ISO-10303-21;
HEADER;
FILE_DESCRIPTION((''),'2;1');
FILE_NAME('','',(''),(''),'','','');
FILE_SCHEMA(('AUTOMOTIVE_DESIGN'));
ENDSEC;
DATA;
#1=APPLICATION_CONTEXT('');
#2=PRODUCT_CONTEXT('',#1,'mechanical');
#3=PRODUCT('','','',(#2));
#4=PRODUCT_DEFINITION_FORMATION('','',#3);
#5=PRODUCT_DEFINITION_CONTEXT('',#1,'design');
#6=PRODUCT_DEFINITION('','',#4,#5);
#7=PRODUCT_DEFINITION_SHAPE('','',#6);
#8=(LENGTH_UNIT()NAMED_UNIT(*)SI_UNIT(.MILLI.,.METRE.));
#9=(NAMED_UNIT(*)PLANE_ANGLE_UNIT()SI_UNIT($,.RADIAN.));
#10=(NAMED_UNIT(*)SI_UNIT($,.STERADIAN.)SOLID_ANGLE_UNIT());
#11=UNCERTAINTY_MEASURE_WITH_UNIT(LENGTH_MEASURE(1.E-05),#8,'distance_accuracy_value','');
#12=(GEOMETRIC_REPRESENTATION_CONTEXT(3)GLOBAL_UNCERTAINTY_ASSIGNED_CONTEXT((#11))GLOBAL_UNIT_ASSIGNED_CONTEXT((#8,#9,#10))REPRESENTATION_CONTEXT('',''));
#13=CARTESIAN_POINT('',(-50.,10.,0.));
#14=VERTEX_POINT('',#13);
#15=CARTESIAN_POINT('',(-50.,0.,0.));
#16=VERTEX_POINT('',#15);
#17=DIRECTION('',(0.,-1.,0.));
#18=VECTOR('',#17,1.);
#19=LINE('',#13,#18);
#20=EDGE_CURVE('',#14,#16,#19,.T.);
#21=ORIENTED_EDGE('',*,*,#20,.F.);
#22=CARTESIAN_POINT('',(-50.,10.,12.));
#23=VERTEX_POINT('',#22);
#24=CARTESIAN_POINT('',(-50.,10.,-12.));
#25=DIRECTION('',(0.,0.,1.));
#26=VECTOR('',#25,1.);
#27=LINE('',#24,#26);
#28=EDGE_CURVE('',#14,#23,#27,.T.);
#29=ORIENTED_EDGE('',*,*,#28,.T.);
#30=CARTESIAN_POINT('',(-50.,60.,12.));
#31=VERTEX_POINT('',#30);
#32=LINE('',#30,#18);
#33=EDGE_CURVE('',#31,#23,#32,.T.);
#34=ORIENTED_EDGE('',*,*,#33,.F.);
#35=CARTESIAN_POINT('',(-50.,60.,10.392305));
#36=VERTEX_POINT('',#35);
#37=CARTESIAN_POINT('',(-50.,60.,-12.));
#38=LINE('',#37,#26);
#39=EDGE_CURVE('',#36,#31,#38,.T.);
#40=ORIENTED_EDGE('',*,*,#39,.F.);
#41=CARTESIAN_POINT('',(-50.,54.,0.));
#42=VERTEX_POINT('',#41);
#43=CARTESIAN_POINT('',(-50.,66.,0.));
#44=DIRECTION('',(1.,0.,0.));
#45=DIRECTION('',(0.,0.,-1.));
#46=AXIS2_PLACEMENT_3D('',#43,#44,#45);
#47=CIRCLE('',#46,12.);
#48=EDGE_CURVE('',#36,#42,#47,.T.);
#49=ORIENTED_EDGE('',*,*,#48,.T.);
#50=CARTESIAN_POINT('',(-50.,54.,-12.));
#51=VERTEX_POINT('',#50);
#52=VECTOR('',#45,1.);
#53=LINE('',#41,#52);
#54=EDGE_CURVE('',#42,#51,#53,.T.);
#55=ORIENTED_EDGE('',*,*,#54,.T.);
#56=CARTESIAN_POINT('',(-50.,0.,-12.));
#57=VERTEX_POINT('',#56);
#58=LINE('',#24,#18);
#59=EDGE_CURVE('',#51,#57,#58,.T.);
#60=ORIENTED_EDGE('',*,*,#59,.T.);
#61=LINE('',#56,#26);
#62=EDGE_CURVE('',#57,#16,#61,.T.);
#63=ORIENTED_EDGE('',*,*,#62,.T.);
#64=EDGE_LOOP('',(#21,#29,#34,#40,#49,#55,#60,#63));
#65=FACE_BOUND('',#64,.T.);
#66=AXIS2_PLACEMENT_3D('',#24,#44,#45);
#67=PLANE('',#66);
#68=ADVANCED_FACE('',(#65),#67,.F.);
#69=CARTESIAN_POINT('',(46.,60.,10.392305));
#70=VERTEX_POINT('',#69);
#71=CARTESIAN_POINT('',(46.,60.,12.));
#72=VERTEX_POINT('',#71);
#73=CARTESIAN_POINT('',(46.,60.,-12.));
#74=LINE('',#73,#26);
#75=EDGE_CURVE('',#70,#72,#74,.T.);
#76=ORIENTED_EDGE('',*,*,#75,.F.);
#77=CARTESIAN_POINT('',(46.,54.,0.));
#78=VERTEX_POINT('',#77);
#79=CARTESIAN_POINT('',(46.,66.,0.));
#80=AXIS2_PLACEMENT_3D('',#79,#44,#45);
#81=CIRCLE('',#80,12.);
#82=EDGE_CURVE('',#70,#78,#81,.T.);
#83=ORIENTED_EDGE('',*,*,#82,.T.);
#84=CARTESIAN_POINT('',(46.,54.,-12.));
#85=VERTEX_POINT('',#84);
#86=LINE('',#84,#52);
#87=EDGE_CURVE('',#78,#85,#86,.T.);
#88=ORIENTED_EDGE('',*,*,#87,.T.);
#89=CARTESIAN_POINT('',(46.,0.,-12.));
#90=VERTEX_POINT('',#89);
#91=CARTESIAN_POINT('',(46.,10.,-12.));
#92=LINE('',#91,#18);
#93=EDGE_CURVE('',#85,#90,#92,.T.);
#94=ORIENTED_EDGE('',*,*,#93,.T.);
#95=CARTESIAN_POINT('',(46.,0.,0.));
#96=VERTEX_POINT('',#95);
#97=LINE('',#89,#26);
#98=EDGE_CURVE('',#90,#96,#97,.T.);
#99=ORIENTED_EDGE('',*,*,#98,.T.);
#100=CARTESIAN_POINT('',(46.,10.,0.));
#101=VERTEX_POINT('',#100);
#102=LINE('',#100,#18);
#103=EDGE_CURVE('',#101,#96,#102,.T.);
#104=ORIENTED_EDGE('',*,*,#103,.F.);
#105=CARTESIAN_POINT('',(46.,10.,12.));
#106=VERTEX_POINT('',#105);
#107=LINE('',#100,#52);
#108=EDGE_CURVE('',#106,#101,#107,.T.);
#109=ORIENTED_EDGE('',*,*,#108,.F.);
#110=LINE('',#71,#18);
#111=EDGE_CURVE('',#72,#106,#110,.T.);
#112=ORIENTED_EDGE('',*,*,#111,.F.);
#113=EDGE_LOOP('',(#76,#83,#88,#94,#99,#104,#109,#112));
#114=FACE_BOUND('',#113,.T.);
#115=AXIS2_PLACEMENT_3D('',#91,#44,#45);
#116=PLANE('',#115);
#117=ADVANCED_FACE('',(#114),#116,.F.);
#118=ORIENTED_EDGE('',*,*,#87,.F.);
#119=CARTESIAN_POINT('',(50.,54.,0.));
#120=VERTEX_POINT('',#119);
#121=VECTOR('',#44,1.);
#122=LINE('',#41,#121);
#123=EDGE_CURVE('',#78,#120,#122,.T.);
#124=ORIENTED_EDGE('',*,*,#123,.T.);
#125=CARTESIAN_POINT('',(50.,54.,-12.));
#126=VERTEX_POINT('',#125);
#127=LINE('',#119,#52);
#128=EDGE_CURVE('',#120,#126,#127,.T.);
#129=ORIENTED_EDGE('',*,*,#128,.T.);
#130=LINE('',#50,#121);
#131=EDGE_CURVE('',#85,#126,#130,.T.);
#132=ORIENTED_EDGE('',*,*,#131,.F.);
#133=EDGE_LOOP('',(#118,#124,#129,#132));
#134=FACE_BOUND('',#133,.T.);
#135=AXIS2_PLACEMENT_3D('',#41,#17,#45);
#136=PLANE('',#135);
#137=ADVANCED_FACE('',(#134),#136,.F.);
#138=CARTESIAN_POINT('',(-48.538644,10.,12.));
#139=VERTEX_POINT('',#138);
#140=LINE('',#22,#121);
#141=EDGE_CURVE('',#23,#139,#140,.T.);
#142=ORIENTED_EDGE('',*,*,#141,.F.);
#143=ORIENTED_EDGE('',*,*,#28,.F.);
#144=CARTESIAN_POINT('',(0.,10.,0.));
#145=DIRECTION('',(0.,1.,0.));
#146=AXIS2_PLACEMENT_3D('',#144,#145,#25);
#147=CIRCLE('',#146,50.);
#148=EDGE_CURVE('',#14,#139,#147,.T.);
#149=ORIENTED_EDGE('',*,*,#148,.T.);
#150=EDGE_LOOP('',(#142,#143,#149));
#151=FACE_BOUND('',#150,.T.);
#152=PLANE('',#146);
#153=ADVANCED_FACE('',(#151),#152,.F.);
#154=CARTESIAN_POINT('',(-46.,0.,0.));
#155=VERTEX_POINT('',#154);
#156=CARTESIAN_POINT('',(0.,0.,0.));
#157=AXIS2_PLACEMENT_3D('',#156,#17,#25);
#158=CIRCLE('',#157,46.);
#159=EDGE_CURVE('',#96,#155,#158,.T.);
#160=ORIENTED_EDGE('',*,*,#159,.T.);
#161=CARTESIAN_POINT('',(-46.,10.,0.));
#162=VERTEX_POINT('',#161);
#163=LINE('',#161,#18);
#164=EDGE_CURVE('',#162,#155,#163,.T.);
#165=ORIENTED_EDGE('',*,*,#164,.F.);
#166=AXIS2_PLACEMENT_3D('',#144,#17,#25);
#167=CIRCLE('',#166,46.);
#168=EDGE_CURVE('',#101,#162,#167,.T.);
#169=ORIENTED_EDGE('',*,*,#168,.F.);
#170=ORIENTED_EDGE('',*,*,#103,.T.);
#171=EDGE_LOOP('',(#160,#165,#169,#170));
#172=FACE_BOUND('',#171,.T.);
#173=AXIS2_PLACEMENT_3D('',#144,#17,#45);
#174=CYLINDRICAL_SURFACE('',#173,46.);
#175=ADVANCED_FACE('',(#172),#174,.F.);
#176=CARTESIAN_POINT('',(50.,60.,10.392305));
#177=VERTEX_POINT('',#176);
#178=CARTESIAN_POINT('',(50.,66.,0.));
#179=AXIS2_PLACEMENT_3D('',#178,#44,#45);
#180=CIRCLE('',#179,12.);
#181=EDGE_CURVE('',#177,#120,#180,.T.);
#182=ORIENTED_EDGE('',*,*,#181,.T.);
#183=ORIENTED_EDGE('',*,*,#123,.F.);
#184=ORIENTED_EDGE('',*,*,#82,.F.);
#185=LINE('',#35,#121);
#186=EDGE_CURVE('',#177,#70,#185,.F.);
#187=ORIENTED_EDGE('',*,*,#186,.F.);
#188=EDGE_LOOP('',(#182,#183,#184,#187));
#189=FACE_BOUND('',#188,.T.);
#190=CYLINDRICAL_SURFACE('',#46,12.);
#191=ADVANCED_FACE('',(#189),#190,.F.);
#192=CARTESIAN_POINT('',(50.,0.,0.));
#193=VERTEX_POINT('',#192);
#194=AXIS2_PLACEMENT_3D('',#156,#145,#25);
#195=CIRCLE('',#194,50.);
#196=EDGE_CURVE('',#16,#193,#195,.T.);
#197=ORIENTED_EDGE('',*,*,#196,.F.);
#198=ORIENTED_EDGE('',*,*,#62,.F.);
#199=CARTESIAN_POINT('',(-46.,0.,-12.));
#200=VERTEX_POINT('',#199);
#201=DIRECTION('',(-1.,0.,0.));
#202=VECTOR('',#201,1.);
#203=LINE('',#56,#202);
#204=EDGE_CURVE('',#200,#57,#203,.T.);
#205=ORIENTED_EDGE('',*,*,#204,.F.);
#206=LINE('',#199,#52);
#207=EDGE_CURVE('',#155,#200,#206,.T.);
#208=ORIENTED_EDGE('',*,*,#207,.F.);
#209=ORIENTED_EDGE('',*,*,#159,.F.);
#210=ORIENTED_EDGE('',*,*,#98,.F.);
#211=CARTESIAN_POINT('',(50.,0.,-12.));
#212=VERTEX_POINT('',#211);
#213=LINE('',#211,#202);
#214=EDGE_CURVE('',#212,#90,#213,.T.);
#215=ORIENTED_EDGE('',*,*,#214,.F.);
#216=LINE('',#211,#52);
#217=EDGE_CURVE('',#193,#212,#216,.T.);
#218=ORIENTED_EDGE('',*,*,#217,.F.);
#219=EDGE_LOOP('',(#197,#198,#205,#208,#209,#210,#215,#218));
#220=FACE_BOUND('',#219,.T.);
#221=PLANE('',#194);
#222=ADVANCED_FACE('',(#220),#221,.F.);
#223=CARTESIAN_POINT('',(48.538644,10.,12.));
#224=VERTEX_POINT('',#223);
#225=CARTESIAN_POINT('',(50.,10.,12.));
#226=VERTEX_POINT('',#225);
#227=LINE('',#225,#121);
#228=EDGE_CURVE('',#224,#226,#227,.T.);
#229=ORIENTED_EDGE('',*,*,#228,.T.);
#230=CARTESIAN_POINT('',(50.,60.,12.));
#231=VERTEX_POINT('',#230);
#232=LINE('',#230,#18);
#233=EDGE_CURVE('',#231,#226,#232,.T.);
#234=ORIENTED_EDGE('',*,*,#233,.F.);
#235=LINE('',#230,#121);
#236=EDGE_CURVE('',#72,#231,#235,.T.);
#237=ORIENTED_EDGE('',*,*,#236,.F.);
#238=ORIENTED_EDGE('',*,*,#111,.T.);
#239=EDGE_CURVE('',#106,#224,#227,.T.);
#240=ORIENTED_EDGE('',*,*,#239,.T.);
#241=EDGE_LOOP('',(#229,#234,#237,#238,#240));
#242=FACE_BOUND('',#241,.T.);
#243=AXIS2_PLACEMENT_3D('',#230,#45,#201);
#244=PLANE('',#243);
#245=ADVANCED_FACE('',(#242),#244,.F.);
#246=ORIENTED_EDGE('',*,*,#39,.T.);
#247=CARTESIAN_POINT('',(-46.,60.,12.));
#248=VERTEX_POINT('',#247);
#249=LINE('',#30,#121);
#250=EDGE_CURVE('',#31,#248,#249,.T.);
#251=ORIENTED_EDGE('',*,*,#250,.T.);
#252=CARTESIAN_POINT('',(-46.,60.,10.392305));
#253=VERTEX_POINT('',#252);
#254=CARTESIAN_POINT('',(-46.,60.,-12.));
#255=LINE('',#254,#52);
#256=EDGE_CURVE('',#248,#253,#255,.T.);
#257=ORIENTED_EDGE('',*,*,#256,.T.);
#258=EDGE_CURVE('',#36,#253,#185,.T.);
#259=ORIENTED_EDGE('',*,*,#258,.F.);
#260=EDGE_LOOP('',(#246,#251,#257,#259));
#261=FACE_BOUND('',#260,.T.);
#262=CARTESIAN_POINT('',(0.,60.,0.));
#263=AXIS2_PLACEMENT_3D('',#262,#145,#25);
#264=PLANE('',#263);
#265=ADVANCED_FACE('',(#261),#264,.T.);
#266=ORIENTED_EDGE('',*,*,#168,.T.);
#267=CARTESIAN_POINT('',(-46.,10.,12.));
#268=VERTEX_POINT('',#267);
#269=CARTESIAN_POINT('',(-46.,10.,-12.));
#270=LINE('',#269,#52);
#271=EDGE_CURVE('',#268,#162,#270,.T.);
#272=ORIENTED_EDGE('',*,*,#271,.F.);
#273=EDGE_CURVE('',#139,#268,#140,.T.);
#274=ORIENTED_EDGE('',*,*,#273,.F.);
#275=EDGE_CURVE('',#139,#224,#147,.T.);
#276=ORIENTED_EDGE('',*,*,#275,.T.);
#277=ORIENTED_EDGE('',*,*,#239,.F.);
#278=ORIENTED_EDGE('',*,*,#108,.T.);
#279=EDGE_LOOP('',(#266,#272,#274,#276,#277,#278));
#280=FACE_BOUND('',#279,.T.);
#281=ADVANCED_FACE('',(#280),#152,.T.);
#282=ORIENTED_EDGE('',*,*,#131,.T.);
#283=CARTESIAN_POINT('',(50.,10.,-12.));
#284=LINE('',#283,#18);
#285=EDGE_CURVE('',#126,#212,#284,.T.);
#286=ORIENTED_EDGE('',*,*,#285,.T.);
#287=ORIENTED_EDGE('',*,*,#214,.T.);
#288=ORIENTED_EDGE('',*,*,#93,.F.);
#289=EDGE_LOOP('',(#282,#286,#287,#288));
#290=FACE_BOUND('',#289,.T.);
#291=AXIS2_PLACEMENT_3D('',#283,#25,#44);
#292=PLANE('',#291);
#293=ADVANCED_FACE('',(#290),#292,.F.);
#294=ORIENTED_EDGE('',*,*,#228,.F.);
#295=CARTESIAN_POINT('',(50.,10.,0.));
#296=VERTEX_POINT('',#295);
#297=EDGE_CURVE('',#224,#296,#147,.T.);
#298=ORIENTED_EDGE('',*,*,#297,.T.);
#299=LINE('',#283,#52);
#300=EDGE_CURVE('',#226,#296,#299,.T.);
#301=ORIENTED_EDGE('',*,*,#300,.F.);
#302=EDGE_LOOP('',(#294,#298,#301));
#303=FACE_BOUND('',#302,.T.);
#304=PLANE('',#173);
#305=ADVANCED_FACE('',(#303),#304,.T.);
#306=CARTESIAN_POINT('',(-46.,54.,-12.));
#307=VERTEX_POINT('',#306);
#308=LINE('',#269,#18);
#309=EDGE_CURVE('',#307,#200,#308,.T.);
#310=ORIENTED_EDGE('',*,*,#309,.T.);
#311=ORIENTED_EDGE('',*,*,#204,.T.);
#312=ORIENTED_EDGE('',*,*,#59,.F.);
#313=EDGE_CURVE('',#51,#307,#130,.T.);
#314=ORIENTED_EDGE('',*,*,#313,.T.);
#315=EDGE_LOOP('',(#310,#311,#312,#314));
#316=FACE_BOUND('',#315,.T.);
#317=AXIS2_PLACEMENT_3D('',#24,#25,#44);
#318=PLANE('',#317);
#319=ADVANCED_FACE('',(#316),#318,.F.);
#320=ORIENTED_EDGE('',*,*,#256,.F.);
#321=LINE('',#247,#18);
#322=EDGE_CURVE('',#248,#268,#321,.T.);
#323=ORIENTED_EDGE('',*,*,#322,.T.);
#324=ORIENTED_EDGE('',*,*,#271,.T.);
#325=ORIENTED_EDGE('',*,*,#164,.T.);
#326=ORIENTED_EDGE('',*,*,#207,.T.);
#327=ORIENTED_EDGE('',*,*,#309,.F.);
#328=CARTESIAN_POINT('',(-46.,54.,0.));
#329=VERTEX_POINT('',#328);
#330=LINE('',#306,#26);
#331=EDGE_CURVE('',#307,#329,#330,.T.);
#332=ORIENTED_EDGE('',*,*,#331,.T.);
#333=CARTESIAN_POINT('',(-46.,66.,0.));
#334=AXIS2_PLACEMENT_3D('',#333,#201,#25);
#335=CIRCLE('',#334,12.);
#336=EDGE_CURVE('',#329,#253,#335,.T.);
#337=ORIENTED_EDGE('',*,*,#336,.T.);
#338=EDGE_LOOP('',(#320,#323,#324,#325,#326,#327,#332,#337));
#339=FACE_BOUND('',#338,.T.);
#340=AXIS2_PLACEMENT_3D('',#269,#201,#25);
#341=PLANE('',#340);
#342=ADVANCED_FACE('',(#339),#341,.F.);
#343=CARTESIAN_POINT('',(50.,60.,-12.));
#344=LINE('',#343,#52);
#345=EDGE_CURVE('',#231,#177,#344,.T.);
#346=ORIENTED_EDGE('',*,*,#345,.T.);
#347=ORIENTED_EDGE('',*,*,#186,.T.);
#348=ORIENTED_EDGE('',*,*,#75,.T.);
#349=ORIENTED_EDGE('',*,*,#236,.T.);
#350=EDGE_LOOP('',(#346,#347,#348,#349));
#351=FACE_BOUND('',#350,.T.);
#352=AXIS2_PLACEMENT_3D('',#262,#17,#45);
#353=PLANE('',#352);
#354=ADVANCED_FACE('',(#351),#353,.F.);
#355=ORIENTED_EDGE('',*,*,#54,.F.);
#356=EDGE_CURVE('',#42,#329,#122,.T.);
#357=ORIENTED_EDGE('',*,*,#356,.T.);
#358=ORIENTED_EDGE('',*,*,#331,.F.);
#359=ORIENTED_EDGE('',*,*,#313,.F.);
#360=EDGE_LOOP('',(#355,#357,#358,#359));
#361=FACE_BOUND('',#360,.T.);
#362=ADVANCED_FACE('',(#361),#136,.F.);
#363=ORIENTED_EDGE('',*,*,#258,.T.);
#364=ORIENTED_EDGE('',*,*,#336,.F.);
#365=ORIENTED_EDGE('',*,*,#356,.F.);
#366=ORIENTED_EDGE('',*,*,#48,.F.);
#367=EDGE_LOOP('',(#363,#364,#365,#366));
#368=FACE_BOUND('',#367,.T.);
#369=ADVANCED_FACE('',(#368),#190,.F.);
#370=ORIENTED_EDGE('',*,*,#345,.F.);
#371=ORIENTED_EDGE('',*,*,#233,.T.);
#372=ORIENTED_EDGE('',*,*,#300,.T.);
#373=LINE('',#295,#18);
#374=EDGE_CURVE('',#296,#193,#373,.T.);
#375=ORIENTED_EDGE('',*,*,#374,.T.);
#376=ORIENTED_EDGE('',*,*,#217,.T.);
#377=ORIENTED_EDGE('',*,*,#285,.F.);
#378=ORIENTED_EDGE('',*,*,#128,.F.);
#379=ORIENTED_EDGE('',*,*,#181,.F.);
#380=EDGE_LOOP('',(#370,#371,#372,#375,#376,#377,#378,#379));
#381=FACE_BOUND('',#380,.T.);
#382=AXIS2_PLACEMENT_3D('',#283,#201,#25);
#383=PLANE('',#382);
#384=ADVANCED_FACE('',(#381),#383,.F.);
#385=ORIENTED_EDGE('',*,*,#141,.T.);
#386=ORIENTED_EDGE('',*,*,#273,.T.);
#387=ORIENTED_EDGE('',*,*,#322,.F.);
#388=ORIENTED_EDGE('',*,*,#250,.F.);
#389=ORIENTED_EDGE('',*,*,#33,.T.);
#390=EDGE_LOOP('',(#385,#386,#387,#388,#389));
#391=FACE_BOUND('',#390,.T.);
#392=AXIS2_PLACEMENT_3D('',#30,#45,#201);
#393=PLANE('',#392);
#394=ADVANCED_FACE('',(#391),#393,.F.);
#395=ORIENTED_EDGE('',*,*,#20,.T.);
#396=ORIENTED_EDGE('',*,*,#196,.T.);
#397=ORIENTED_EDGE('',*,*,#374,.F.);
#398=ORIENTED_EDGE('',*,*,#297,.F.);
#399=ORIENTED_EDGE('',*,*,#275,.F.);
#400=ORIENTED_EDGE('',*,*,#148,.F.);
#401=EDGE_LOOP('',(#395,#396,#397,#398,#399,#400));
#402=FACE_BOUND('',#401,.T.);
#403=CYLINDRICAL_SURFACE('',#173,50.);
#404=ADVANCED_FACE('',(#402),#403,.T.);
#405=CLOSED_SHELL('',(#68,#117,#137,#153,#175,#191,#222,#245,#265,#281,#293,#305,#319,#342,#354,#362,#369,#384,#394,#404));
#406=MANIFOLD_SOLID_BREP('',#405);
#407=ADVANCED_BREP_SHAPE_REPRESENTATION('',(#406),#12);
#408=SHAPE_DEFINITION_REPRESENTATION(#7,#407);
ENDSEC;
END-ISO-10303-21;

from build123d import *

# Parameters (mm, degrees)
EXTRUDE_1_DEPTH     = 10
SKETCH_2_W          = 4
SKETCH_2_H          = 24
EXTRUDE_2_DEPTH     = 50
CUT_EXTRUDE_3_DEPTH = 127.885775404


with BuildPart() as part:
    # 草图1 → 凸台-拉伸1 (new body)
    with BuildSketch(Plane(origin=(0, 0, 0), x_dir=(1, 0, 0), z_dir=(0, 1, 0))):
        with BuildLine():
            Line((-50, 12), (-46, 12))
            Line((-46, 12), (-46, 0))
            ThreePointArc((-46, 0), (0, -46), (46, 0))
            Line((46, 0), (46, 12))
            Line((46, 12), (50, 12))
            Line((50, 12), (50, 0))
            ThreePointArc((50, 0), (0, -50), (-50, 0))
            Line((-50, 0), (-50, 12))
        make_face()
    extrude(amount=EXTRUDE_1_DEPTH)

    # 草图2 → 凸台-拉伸2 (add)
    with BuildSketch(Plane(origin=(0, 10, 0), x_dir=(1, 0, 0), z_dir=(0, 1, 0))):
        with Locations((-48, 0)):
            Rectangle(SKETCH_2_W, SKETCH_2_H)
        with Locations((48, 0)):
            Rectangle(SKETCH_2_W, SKETCH_2_H)
    extrude(amount=EXTRUDE_2_DEPTH)

    # 草图3 → 切除-拉伸3 (cut, through all)
    with BuildSketch(Plane(origin=(50, 0, 0), x_dir=(0, 0, -1), z_dir=(1, 0, 0))):
        with BuildLine():
            Line((0, 54), (12, 54))
            Line((12, 54), (12, 66))
            ThreePointArc((12, 66), (-8.485281374, 74.485281374), (0, 54))
        make_face()
    extrude(amount=-CUT_EXTRUDE_3_DEPTH, mode=Mode.SUBTRACT)


solid = part.part
